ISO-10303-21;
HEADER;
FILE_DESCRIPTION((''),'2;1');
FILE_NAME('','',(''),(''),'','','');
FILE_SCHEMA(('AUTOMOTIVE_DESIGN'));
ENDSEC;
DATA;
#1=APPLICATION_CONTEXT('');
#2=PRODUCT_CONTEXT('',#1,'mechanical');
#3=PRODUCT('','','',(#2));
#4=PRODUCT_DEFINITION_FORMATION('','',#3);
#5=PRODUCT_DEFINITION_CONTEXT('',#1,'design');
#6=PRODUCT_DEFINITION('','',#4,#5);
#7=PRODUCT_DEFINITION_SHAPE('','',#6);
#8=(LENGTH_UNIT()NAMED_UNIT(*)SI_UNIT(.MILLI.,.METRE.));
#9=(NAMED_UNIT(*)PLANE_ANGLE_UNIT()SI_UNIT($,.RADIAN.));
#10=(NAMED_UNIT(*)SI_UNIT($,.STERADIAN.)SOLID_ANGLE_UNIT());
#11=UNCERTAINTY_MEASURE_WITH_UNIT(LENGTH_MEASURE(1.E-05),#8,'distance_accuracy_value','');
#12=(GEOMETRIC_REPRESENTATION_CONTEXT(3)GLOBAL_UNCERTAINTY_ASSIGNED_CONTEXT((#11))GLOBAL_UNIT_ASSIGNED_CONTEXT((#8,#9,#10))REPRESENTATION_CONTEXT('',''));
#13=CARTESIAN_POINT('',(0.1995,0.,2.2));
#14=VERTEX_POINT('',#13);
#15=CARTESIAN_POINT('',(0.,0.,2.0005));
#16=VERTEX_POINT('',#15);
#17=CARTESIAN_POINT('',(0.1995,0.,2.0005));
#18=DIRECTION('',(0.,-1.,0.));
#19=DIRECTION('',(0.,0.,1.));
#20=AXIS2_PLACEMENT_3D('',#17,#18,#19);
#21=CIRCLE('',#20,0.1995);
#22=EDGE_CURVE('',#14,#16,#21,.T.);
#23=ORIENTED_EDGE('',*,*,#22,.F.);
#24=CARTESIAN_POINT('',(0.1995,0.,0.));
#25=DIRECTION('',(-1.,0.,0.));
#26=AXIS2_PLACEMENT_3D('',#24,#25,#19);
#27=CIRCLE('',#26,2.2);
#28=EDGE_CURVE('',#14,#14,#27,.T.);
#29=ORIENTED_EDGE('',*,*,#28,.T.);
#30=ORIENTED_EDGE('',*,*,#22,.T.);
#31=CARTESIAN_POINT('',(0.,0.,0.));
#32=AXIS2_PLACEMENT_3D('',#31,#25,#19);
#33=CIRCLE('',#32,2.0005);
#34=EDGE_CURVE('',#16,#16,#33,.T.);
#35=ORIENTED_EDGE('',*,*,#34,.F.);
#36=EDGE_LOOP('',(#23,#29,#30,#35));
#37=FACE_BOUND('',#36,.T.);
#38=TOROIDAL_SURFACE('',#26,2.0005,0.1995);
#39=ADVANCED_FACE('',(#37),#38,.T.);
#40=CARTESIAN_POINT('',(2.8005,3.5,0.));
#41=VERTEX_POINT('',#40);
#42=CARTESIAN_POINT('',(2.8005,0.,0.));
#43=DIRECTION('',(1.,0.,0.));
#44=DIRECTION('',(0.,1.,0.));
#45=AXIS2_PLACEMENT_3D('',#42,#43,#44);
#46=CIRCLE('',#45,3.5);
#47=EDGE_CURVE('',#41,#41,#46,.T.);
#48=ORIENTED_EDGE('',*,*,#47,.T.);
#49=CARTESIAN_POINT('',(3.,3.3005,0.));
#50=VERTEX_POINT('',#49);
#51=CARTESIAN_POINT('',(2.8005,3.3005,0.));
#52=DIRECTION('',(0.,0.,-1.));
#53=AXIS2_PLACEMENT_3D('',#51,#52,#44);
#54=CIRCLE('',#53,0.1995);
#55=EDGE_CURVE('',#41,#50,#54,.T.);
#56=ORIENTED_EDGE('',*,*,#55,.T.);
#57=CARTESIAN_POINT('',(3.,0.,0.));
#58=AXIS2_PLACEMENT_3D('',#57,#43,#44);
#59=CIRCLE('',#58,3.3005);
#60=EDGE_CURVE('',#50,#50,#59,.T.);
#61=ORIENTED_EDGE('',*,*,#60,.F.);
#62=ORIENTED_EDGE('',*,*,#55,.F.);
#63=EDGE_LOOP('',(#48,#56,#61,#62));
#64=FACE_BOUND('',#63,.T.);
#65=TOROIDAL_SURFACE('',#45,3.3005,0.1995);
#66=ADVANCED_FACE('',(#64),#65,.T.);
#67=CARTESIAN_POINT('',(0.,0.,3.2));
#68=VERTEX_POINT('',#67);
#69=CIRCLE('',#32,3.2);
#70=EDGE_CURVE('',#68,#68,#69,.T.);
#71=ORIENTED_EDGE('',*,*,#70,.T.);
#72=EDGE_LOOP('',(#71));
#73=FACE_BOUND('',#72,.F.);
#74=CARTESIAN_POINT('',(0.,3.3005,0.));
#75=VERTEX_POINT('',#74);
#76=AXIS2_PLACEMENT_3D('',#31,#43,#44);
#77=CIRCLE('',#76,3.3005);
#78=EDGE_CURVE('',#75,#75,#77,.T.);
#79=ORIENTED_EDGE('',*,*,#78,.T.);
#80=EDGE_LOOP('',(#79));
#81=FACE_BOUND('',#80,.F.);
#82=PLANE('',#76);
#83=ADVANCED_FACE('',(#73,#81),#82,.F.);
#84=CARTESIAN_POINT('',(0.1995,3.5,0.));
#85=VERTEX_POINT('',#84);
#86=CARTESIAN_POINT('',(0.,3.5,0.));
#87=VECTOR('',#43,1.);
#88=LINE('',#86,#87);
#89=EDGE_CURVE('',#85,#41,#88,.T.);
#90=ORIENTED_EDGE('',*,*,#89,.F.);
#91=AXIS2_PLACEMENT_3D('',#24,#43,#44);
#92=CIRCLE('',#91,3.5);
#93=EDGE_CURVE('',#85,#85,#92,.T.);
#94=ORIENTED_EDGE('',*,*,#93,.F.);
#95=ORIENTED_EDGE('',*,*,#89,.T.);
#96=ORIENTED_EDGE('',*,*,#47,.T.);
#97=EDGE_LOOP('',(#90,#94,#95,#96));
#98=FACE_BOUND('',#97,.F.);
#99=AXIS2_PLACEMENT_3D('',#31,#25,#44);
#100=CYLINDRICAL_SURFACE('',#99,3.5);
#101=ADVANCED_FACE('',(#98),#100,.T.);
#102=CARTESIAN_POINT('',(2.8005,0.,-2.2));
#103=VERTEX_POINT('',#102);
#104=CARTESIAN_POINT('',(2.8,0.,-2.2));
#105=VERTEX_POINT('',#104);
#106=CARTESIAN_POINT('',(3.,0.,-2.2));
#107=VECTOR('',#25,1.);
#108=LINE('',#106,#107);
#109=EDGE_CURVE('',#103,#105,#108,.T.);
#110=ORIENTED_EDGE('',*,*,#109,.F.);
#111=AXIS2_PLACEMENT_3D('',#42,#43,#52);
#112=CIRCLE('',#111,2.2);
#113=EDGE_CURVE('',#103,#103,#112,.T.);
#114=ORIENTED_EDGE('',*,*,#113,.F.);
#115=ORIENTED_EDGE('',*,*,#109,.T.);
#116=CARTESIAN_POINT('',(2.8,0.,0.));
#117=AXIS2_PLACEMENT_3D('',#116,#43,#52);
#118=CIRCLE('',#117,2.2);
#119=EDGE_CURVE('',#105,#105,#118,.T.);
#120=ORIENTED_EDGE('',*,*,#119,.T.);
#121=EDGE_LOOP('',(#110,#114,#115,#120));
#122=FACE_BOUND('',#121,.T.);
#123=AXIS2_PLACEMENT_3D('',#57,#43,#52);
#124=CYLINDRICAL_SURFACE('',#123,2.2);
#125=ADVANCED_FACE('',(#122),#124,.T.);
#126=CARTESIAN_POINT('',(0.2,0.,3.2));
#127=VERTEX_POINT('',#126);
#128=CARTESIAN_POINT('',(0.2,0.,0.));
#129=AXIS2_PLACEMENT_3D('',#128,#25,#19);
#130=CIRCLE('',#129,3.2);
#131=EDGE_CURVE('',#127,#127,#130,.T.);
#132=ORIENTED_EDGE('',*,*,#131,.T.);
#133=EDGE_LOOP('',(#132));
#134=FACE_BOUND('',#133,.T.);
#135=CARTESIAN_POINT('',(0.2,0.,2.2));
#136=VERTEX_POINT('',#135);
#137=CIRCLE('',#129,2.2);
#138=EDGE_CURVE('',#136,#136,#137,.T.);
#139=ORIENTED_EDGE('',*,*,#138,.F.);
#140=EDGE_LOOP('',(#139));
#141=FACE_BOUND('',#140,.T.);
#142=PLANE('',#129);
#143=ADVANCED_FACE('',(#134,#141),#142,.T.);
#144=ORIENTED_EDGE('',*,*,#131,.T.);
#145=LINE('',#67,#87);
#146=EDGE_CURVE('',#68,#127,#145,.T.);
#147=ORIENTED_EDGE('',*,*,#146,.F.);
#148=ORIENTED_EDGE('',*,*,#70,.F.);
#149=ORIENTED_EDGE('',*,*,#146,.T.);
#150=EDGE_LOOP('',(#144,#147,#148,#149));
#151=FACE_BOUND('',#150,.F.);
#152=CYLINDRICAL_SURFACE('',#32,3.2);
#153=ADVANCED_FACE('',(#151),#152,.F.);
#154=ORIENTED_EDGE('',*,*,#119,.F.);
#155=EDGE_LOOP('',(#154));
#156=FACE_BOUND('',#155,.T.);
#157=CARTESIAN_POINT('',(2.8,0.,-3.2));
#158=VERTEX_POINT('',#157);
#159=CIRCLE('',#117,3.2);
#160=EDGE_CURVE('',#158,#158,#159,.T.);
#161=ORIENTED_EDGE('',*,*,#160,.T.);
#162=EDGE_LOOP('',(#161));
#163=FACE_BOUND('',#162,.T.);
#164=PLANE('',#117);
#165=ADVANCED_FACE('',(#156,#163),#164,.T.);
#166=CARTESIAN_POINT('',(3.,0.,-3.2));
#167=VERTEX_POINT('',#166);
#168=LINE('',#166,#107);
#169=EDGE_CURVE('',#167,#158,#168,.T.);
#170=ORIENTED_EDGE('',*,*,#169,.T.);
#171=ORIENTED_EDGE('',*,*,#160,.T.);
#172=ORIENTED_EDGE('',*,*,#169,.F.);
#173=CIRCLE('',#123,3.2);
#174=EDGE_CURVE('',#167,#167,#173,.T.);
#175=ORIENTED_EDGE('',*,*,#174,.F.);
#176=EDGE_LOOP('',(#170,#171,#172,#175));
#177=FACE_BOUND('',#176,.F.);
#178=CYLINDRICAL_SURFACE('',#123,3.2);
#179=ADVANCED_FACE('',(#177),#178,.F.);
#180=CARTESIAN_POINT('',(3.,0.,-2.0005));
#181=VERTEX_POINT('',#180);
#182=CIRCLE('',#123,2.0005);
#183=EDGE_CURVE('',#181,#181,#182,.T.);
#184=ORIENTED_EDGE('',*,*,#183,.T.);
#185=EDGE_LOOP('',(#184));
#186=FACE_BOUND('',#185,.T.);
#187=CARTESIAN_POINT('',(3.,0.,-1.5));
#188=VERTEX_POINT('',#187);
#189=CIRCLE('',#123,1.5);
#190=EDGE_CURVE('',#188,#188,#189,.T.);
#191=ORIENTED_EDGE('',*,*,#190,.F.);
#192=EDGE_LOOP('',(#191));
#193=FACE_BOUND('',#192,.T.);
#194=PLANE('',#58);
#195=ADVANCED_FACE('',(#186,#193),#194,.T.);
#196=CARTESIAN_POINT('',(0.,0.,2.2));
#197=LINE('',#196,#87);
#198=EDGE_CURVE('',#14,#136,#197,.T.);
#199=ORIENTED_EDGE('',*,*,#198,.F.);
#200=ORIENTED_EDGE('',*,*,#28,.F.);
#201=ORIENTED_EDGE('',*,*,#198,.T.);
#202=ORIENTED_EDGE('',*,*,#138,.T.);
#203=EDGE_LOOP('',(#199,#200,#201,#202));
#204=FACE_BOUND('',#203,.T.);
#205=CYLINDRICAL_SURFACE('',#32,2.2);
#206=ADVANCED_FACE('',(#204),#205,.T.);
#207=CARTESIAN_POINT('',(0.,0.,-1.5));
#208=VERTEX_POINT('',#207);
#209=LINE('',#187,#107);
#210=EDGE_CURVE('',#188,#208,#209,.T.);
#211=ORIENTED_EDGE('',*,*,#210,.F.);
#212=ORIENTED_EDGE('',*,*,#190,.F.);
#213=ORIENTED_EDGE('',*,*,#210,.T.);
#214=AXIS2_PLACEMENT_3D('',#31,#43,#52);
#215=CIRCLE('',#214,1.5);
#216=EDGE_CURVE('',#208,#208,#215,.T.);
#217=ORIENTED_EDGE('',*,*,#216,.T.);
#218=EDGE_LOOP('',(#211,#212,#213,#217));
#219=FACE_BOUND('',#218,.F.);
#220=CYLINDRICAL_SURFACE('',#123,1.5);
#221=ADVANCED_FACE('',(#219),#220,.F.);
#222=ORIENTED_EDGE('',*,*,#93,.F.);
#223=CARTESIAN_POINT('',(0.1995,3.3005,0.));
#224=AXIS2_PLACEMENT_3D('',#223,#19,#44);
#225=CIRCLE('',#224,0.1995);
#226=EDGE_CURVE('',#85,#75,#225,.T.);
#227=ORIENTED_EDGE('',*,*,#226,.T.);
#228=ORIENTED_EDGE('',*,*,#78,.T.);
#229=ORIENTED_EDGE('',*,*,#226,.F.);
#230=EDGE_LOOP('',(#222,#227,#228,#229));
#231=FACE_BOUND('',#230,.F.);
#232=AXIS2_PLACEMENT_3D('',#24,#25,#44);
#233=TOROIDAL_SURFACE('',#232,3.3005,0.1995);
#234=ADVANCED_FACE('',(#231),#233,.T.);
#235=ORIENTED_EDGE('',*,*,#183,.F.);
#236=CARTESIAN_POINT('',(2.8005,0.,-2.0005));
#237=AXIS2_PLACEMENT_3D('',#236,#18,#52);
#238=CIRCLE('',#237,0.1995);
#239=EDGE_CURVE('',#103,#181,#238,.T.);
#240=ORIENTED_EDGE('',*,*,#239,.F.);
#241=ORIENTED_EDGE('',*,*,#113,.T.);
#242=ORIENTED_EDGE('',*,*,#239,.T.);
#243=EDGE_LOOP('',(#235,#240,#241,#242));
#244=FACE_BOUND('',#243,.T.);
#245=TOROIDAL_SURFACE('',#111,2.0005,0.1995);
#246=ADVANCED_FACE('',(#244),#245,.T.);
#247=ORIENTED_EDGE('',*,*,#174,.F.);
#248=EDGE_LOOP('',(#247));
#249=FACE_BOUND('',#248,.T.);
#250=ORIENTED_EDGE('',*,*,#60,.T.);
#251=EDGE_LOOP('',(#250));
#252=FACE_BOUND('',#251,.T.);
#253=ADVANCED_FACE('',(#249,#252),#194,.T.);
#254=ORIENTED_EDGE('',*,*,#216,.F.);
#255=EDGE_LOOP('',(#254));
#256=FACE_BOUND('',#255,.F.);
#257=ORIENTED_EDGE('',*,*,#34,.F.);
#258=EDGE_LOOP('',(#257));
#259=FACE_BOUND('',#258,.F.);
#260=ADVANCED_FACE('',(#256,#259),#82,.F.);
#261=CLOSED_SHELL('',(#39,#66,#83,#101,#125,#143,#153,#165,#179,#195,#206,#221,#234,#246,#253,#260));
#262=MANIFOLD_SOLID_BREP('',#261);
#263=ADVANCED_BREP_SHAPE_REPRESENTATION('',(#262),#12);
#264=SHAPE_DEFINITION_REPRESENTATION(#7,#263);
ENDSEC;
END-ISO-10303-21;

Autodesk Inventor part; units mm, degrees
ref_plane "YZ Plane" through (0, 0, 0) normal (1, 0, 0) x (0, 1, 0)
ref_plane "XZ Plane" through (0, 0, 0) normal (0, 1, 0) x (-1, 0, 0)
ref_plane "XY Plane" through (0, 0, 0) normal (0, 0, 1) x (1, 0, 0)
sketch "スケッチ1" plane through (0, 0, 0) normal (1, 0, 0) x (0, 1, 0)
  circle A0 centre (0, 0) radius 3.5
  dimension "d0" = 7
extrude "押し出し1" add sketch "スケッチ1" along normal blind 3
sketch "スケッチ2" plane through (3, 0, 0) normal (1, 0, 0) x (0, 0, -1)
  circle A0 centre (0, 0) radius 1.5
  dimension "d3" = 3
extrude "押し出し2" cut sketch "スケッチ2" against normal blind 3
sketch "スケッチ3" plane through (3, 0, 0) normal (1, 0, 0) x (0, 0, -1)
  circle A0 centre (0, 0) radius 3.2
  circle A1 centre (0, 0) radius 2.2
  circle A2 centre (0, 0) radius 3.5 projected
  dimension "d6" = 0.3
  dimension "d7" = 1
extrude "押し出し3" cut sketch "スケッチ3" against normal blind 0.2 contours A0
sketch "スケッチ4" plane through (0, 0, 0) normal (-1, 0, 0) x (0, 0, 1)
  circle A0 centre (0, 0) radius 3.2 projected
  circle A1 centre (0, 0) radius 2.2 projected
extrude "押し出し4" cut sketch "スケッチ4" against normal blind 0.2
fillet "フィレット1" radius 0.2 4 edges at (0, -3.5, 0) (0, 0, -2.2) (3, -3.5, 0) (3, 0, 2.2)
properties part number "bearing" material "鋼、合金"
